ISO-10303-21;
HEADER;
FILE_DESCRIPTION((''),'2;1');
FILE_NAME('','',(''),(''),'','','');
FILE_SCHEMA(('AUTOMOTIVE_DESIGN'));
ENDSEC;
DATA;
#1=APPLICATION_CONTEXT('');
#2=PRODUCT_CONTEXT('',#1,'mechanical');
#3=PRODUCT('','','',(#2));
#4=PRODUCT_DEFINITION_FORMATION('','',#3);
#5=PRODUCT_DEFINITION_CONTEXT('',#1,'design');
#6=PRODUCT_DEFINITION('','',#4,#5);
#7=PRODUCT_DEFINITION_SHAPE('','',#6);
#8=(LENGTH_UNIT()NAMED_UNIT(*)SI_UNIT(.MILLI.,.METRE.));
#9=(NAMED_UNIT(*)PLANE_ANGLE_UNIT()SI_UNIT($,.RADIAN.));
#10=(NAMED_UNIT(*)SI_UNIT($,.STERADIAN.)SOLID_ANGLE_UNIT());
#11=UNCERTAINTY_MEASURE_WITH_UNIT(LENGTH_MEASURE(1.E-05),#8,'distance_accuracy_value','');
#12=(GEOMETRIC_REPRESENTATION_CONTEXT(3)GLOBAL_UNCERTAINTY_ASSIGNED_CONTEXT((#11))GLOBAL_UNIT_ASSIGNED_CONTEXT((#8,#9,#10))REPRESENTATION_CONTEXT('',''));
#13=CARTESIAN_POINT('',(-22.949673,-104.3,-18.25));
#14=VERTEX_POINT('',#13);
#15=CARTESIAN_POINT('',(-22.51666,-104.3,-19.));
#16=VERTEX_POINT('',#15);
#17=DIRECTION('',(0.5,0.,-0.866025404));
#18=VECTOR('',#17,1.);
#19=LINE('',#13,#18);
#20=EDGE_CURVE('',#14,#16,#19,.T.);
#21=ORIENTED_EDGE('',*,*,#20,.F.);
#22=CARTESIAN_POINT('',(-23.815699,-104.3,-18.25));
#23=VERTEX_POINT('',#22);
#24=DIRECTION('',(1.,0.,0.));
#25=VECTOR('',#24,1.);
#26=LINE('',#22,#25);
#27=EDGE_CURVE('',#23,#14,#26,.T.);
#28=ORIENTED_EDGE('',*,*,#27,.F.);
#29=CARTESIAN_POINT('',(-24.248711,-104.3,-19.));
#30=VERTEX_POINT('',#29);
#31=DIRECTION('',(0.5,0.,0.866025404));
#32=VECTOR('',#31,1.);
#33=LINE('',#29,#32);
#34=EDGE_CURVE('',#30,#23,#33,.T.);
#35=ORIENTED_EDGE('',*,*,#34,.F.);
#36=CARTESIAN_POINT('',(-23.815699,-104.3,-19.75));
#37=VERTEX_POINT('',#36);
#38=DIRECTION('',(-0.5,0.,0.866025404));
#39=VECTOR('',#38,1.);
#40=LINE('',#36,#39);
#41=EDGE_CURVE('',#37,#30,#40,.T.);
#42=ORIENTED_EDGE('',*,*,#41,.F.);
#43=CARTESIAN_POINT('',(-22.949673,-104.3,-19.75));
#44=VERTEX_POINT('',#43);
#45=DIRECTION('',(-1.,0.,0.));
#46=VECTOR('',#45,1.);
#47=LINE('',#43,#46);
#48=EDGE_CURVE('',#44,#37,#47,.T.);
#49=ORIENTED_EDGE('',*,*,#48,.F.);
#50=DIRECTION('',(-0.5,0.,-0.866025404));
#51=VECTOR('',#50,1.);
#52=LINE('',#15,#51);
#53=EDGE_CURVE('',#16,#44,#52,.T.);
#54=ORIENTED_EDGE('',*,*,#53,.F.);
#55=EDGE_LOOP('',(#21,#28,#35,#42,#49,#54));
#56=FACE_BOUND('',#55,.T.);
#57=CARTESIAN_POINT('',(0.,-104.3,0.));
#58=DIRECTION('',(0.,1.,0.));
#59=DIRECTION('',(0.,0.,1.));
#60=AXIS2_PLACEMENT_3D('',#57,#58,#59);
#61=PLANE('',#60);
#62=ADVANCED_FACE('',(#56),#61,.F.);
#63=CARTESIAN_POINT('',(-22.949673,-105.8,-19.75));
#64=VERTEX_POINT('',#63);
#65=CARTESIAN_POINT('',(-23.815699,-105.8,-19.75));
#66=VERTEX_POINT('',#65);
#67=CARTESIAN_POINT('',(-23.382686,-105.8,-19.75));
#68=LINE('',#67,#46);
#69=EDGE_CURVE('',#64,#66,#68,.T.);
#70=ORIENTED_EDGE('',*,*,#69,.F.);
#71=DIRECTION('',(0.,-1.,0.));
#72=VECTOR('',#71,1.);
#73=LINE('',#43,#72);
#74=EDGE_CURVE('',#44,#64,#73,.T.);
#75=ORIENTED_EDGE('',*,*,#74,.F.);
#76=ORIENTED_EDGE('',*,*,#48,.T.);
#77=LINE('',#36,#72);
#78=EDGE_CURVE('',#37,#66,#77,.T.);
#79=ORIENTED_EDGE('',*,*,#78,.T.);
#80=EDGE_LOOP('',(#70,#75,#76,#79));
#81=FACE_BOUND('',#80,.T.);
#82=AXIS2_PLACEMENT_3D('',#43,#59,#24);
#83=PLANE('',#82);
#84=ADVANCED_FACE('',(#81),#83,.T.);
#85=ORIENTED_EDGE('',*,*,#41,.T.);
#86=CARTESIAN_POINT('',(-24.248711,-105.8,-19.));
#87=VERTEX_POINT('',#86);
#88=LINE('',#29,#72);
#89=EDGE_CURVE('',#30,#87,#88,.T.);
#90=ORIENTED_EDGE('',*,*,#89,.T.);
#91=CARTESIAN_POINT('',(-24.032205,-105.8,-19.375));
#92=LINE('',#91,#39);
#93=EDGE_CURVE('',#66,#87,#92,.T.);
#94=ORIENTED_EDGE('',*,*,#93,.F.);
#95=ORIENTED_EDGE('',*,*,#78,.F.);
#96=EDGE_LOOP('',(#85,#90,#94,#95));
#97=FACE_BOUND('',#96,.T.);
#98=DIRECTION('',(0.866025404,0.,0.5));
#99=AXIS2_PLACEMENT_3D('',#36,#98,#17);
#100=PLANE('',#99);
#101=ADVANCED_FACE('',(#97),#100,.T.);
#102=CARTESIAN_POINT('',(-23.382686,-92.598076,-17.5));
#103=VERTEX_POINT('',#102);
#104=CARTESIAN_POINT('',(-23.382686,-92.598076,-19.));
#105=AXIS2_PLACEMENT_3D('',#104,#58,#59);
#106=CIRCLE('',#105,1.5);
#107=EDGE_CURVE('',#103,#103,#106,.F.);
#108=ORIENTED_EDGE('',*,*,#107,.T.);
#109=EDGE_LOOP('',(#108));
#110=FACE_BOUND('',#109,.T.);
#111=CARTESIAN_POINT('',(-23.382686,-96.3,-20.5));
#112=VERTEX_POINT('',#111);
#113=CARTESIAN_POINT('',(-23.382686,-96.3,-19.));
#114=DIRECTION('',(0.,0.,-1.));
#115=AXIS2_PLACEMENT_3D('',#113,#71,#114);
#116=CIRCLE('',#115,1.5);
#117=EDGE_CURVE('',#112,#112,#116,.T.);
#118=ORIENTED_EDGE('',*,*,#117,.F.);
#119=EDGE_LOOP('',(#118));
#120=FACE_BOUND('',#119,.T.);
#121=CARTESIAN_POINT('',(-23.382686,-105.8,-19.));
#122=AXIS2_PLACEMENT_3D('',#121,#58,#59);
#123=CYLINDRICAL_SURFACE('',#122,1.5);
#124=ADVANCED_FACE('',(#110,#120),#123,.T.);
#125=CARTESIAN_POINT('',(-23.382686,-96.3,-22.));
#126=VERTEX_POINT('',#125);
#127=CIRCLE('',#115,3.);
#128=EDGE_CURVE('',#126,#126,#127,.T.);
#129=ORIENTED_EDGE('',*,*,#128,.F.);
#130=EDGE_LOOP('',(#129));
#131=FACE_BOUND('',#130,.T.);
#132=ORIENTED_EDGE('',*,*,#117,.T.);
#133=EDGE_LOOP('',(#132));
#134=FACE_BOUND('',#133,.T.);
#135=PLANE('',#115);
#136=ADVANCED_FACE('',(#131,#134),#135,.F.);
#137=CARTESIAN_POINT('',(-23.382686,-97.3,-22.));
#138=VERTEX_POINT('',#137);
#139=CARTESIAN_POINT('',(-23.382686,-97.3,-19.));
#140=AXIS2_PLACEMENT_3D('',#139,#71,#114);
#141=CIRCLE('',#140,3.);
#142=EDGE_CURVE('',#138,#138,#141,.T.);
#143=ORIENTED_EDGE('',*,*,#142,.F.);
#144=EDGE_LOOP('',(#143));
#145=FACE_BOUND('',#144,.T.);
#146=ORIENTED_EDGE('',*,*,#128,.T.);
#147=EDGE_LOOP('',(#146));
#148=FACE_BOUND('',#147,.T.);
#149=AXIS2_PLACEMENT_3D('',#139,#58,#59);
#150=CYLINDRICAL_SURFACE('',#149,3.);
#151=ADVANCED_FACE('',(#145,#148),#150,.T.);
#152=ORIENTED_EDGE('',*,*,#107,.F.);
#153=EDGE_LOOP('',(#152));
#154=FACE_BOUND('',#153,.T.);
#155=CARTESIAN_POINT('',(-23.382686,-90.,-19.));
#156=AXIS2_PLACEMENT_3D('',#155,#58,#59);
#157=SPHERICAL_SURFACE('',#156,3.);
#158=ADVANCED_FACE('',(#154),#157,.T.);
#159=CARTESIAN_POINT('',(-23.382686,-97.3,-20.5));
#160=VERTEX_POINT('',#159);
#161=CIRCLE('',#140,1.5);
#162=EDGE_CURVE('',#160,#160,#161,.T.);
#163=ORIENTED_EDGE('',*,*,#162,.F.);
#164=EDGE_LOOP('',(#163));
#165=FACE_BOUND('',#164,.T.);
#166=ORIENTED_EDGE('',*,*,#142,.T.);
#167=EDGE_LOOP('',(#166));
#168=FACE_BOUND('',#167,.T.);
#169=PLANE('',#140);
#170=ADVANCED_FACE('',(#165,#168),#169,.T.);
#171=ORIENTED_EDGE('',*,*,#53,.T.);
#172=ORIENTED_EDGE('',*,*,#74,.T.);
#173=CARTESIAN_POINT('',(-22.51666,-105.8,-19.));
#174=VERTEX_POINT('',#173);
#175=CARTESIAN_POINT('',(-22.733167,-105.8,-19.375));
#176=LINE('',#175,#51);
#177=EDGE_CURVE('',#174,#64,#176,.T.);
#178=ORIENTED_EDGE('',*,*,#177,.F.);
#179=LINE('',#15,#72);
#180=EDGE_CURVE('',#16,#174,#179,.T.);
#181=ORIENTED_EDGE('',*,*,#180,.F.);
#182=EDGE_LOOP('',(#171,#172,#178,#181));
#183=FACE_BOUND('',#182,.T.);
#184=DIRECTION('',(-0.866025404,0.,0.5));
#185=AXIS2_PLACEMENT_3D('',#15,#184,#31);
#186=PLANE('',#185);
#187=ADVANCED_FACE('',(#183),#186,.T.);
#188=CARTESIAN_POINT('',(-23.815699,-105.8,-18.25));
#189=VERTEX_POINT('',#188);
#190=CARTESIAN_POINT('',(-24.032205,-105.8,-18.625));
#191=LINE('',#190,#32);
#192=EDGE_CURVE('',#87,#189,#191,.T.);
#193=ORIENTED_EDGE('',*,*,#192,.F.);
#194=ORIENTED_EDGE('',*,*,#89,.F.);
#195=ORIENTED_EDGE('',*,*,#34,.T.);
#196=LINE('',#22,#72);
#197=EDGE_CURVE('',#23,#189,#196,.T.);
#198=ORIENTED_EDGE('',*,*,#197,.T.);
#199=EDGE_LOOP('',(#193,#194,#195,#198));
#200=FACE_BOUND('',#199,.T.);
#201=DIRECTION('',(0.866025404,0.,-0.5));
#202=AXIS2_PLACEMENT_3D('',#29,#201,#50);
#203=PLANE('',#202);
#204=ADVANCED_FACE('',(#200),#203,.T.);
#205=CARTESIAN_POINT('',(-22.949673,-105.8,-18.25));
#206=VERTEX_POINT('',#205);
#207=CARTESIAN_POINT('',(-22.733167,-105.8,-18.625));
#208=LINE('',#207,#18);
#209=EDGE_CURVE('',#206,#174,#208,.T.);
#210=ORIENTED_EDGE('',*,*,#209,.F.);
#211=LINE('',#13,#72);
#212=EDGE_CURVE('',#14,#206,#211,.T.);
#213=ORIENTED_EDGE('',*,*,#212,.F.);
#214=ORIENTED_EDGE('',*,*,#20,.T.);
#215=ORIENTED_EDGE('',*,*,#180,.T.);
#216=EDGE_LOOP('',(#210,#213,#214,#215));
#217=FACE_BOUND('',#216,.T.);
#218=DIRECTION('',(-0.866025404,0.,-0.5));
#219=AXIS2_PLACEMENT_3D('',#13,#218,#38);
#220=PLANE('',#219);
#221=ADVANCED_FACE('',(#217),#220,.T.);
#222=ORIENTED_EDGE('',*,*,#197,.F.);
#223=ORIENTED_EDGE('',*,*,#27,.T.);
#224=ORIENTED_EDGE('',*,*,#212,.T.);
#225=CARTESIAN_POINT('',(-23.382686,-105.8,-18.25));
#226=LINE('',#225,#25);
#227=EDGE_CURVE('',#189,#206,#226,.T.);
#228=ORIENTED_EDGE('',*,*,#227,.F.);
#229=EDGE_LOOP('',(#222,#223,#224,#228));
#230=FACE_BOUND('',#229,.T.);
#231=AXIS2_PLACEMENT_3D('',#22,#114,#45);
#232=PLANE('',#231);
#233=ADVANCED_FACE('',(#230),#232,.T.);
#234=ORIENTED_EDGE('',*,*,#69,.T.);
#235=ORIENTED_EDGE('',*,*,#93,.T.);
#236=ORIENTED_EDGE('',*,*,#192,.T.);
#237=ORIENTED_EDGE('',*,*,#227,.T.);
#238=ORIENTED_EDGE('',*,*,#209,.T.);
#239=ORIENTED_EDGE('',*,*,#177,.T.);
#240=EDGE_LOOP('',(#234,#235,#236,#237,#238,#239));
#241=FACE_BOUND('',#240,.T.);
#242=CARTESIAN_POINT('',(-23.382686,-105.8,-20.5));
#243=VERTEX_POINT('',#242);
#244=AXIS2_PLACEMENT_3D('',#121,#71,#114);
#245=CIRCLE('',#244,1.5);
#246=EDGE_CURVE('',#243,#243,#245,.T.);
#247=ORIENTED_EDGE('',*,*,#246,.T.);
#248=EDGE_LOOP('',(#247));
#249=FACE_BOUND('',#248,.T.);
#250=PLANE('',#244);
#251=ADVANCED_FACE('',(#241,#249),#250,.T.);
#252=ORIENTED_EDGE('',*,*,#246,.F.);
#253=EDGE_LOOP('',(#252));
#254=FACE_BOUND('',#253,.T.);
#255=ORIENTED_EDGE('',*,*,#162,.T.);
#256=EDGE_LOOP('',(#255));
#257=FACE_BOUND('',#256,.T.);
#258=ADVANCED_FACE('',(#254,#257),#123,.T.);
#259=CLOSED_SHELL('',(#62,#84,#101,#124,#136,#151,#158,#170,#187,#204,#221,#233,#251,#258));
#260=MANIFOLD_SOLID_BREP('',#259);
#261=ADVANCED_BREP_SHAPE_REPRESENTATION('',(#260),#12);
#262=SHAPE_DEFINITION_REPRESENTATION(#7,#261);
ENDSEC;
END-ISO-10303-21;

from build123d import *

# Parameters (mm, degrees)
M3_NECK_AND_THREAD_ENVELOPE_SKETCH_R = 1.5
M3_NECK_AND_THREAD_ENVELOPE_DEPTH    = 15.8
ANCHOR_SEATING_COLLAR_SKETCH_R       = 3
ANCHOR_SEATING_COLLAR_DEPTH          = 1
ANCHOR_TAIL_HEX_DRIVE_DEPTH          = 1.6


with BuildPart() as part:
    # M3 neck and thread envelope sketch → M3 neck and thread envelope (new body)
    with BuildSketch(Plane(origin=(0, -90, 0), x_dir=(-1, 0, 0), z_dir=(0, -1, 0))):
        with Locations(Location((23.382685902, 19, 0), (0, 0, 90))):
            Circle(M3_NECK_AND_THREAD_ENVELOPE_SKETCH_R)
    extrude(amount=M3_NECK_AND_THREAD_ENVELOPE_DEPTH)

    # Six millimetre anchor ball profile → Six millimetre anchor ball (revolve)
    with BuildSketch(Plane(origin=(0, -90, 0), x_dir=(-1, 0, 0), z_dir=(0, -1, 0))):
        with BuildLine():
            Line((23.382685902, 16), (23.382685902, 22))
            ThreePointArc((23.382685902, 22), (20.382685902, 19), (23.382685902, 16))
        make_face()
    revolve(axis=Axis((-23.382685902, -90, -29), (0, 0, 1)))

    # Anchor seating collar sketch → Anchor seating collar (add)
    with BuildSketch(Plane(origin=(0, -96.3, 0), x_dir=(-1, 0, 0), z_dir=(0, -1, 0))):
        with Locations(Location((23.382685902, 19, 0), (0, 0, 90))):
            Circle(ANCHOR_SEATING_COLLAR_SKETCH_R)
    extrude(amount=ANCHOR_SEATING_COLLAR_DEPTH)

    # Anchor tail hex drive sketch → Anchor tail hex drive (cut)
    with BuildSketch(Plane(origin=(0, -105.9, 0), x_dir=(1, 0, 0), z_dir=(0, 1, 0))):
        Polygon((-22.516660498, 19), (-22.9496732, 19.75), (-23.815698604, 19.75), (-24.248711306, 19), (-23.815698604, 18.25), (-22.9496732, 18.25), align=None)
    extrude(amount=ANCHOR_TAIL_HEX_DRIVE_DEPTH, mode=Mode.SUBTRACT)


solid = part.part
